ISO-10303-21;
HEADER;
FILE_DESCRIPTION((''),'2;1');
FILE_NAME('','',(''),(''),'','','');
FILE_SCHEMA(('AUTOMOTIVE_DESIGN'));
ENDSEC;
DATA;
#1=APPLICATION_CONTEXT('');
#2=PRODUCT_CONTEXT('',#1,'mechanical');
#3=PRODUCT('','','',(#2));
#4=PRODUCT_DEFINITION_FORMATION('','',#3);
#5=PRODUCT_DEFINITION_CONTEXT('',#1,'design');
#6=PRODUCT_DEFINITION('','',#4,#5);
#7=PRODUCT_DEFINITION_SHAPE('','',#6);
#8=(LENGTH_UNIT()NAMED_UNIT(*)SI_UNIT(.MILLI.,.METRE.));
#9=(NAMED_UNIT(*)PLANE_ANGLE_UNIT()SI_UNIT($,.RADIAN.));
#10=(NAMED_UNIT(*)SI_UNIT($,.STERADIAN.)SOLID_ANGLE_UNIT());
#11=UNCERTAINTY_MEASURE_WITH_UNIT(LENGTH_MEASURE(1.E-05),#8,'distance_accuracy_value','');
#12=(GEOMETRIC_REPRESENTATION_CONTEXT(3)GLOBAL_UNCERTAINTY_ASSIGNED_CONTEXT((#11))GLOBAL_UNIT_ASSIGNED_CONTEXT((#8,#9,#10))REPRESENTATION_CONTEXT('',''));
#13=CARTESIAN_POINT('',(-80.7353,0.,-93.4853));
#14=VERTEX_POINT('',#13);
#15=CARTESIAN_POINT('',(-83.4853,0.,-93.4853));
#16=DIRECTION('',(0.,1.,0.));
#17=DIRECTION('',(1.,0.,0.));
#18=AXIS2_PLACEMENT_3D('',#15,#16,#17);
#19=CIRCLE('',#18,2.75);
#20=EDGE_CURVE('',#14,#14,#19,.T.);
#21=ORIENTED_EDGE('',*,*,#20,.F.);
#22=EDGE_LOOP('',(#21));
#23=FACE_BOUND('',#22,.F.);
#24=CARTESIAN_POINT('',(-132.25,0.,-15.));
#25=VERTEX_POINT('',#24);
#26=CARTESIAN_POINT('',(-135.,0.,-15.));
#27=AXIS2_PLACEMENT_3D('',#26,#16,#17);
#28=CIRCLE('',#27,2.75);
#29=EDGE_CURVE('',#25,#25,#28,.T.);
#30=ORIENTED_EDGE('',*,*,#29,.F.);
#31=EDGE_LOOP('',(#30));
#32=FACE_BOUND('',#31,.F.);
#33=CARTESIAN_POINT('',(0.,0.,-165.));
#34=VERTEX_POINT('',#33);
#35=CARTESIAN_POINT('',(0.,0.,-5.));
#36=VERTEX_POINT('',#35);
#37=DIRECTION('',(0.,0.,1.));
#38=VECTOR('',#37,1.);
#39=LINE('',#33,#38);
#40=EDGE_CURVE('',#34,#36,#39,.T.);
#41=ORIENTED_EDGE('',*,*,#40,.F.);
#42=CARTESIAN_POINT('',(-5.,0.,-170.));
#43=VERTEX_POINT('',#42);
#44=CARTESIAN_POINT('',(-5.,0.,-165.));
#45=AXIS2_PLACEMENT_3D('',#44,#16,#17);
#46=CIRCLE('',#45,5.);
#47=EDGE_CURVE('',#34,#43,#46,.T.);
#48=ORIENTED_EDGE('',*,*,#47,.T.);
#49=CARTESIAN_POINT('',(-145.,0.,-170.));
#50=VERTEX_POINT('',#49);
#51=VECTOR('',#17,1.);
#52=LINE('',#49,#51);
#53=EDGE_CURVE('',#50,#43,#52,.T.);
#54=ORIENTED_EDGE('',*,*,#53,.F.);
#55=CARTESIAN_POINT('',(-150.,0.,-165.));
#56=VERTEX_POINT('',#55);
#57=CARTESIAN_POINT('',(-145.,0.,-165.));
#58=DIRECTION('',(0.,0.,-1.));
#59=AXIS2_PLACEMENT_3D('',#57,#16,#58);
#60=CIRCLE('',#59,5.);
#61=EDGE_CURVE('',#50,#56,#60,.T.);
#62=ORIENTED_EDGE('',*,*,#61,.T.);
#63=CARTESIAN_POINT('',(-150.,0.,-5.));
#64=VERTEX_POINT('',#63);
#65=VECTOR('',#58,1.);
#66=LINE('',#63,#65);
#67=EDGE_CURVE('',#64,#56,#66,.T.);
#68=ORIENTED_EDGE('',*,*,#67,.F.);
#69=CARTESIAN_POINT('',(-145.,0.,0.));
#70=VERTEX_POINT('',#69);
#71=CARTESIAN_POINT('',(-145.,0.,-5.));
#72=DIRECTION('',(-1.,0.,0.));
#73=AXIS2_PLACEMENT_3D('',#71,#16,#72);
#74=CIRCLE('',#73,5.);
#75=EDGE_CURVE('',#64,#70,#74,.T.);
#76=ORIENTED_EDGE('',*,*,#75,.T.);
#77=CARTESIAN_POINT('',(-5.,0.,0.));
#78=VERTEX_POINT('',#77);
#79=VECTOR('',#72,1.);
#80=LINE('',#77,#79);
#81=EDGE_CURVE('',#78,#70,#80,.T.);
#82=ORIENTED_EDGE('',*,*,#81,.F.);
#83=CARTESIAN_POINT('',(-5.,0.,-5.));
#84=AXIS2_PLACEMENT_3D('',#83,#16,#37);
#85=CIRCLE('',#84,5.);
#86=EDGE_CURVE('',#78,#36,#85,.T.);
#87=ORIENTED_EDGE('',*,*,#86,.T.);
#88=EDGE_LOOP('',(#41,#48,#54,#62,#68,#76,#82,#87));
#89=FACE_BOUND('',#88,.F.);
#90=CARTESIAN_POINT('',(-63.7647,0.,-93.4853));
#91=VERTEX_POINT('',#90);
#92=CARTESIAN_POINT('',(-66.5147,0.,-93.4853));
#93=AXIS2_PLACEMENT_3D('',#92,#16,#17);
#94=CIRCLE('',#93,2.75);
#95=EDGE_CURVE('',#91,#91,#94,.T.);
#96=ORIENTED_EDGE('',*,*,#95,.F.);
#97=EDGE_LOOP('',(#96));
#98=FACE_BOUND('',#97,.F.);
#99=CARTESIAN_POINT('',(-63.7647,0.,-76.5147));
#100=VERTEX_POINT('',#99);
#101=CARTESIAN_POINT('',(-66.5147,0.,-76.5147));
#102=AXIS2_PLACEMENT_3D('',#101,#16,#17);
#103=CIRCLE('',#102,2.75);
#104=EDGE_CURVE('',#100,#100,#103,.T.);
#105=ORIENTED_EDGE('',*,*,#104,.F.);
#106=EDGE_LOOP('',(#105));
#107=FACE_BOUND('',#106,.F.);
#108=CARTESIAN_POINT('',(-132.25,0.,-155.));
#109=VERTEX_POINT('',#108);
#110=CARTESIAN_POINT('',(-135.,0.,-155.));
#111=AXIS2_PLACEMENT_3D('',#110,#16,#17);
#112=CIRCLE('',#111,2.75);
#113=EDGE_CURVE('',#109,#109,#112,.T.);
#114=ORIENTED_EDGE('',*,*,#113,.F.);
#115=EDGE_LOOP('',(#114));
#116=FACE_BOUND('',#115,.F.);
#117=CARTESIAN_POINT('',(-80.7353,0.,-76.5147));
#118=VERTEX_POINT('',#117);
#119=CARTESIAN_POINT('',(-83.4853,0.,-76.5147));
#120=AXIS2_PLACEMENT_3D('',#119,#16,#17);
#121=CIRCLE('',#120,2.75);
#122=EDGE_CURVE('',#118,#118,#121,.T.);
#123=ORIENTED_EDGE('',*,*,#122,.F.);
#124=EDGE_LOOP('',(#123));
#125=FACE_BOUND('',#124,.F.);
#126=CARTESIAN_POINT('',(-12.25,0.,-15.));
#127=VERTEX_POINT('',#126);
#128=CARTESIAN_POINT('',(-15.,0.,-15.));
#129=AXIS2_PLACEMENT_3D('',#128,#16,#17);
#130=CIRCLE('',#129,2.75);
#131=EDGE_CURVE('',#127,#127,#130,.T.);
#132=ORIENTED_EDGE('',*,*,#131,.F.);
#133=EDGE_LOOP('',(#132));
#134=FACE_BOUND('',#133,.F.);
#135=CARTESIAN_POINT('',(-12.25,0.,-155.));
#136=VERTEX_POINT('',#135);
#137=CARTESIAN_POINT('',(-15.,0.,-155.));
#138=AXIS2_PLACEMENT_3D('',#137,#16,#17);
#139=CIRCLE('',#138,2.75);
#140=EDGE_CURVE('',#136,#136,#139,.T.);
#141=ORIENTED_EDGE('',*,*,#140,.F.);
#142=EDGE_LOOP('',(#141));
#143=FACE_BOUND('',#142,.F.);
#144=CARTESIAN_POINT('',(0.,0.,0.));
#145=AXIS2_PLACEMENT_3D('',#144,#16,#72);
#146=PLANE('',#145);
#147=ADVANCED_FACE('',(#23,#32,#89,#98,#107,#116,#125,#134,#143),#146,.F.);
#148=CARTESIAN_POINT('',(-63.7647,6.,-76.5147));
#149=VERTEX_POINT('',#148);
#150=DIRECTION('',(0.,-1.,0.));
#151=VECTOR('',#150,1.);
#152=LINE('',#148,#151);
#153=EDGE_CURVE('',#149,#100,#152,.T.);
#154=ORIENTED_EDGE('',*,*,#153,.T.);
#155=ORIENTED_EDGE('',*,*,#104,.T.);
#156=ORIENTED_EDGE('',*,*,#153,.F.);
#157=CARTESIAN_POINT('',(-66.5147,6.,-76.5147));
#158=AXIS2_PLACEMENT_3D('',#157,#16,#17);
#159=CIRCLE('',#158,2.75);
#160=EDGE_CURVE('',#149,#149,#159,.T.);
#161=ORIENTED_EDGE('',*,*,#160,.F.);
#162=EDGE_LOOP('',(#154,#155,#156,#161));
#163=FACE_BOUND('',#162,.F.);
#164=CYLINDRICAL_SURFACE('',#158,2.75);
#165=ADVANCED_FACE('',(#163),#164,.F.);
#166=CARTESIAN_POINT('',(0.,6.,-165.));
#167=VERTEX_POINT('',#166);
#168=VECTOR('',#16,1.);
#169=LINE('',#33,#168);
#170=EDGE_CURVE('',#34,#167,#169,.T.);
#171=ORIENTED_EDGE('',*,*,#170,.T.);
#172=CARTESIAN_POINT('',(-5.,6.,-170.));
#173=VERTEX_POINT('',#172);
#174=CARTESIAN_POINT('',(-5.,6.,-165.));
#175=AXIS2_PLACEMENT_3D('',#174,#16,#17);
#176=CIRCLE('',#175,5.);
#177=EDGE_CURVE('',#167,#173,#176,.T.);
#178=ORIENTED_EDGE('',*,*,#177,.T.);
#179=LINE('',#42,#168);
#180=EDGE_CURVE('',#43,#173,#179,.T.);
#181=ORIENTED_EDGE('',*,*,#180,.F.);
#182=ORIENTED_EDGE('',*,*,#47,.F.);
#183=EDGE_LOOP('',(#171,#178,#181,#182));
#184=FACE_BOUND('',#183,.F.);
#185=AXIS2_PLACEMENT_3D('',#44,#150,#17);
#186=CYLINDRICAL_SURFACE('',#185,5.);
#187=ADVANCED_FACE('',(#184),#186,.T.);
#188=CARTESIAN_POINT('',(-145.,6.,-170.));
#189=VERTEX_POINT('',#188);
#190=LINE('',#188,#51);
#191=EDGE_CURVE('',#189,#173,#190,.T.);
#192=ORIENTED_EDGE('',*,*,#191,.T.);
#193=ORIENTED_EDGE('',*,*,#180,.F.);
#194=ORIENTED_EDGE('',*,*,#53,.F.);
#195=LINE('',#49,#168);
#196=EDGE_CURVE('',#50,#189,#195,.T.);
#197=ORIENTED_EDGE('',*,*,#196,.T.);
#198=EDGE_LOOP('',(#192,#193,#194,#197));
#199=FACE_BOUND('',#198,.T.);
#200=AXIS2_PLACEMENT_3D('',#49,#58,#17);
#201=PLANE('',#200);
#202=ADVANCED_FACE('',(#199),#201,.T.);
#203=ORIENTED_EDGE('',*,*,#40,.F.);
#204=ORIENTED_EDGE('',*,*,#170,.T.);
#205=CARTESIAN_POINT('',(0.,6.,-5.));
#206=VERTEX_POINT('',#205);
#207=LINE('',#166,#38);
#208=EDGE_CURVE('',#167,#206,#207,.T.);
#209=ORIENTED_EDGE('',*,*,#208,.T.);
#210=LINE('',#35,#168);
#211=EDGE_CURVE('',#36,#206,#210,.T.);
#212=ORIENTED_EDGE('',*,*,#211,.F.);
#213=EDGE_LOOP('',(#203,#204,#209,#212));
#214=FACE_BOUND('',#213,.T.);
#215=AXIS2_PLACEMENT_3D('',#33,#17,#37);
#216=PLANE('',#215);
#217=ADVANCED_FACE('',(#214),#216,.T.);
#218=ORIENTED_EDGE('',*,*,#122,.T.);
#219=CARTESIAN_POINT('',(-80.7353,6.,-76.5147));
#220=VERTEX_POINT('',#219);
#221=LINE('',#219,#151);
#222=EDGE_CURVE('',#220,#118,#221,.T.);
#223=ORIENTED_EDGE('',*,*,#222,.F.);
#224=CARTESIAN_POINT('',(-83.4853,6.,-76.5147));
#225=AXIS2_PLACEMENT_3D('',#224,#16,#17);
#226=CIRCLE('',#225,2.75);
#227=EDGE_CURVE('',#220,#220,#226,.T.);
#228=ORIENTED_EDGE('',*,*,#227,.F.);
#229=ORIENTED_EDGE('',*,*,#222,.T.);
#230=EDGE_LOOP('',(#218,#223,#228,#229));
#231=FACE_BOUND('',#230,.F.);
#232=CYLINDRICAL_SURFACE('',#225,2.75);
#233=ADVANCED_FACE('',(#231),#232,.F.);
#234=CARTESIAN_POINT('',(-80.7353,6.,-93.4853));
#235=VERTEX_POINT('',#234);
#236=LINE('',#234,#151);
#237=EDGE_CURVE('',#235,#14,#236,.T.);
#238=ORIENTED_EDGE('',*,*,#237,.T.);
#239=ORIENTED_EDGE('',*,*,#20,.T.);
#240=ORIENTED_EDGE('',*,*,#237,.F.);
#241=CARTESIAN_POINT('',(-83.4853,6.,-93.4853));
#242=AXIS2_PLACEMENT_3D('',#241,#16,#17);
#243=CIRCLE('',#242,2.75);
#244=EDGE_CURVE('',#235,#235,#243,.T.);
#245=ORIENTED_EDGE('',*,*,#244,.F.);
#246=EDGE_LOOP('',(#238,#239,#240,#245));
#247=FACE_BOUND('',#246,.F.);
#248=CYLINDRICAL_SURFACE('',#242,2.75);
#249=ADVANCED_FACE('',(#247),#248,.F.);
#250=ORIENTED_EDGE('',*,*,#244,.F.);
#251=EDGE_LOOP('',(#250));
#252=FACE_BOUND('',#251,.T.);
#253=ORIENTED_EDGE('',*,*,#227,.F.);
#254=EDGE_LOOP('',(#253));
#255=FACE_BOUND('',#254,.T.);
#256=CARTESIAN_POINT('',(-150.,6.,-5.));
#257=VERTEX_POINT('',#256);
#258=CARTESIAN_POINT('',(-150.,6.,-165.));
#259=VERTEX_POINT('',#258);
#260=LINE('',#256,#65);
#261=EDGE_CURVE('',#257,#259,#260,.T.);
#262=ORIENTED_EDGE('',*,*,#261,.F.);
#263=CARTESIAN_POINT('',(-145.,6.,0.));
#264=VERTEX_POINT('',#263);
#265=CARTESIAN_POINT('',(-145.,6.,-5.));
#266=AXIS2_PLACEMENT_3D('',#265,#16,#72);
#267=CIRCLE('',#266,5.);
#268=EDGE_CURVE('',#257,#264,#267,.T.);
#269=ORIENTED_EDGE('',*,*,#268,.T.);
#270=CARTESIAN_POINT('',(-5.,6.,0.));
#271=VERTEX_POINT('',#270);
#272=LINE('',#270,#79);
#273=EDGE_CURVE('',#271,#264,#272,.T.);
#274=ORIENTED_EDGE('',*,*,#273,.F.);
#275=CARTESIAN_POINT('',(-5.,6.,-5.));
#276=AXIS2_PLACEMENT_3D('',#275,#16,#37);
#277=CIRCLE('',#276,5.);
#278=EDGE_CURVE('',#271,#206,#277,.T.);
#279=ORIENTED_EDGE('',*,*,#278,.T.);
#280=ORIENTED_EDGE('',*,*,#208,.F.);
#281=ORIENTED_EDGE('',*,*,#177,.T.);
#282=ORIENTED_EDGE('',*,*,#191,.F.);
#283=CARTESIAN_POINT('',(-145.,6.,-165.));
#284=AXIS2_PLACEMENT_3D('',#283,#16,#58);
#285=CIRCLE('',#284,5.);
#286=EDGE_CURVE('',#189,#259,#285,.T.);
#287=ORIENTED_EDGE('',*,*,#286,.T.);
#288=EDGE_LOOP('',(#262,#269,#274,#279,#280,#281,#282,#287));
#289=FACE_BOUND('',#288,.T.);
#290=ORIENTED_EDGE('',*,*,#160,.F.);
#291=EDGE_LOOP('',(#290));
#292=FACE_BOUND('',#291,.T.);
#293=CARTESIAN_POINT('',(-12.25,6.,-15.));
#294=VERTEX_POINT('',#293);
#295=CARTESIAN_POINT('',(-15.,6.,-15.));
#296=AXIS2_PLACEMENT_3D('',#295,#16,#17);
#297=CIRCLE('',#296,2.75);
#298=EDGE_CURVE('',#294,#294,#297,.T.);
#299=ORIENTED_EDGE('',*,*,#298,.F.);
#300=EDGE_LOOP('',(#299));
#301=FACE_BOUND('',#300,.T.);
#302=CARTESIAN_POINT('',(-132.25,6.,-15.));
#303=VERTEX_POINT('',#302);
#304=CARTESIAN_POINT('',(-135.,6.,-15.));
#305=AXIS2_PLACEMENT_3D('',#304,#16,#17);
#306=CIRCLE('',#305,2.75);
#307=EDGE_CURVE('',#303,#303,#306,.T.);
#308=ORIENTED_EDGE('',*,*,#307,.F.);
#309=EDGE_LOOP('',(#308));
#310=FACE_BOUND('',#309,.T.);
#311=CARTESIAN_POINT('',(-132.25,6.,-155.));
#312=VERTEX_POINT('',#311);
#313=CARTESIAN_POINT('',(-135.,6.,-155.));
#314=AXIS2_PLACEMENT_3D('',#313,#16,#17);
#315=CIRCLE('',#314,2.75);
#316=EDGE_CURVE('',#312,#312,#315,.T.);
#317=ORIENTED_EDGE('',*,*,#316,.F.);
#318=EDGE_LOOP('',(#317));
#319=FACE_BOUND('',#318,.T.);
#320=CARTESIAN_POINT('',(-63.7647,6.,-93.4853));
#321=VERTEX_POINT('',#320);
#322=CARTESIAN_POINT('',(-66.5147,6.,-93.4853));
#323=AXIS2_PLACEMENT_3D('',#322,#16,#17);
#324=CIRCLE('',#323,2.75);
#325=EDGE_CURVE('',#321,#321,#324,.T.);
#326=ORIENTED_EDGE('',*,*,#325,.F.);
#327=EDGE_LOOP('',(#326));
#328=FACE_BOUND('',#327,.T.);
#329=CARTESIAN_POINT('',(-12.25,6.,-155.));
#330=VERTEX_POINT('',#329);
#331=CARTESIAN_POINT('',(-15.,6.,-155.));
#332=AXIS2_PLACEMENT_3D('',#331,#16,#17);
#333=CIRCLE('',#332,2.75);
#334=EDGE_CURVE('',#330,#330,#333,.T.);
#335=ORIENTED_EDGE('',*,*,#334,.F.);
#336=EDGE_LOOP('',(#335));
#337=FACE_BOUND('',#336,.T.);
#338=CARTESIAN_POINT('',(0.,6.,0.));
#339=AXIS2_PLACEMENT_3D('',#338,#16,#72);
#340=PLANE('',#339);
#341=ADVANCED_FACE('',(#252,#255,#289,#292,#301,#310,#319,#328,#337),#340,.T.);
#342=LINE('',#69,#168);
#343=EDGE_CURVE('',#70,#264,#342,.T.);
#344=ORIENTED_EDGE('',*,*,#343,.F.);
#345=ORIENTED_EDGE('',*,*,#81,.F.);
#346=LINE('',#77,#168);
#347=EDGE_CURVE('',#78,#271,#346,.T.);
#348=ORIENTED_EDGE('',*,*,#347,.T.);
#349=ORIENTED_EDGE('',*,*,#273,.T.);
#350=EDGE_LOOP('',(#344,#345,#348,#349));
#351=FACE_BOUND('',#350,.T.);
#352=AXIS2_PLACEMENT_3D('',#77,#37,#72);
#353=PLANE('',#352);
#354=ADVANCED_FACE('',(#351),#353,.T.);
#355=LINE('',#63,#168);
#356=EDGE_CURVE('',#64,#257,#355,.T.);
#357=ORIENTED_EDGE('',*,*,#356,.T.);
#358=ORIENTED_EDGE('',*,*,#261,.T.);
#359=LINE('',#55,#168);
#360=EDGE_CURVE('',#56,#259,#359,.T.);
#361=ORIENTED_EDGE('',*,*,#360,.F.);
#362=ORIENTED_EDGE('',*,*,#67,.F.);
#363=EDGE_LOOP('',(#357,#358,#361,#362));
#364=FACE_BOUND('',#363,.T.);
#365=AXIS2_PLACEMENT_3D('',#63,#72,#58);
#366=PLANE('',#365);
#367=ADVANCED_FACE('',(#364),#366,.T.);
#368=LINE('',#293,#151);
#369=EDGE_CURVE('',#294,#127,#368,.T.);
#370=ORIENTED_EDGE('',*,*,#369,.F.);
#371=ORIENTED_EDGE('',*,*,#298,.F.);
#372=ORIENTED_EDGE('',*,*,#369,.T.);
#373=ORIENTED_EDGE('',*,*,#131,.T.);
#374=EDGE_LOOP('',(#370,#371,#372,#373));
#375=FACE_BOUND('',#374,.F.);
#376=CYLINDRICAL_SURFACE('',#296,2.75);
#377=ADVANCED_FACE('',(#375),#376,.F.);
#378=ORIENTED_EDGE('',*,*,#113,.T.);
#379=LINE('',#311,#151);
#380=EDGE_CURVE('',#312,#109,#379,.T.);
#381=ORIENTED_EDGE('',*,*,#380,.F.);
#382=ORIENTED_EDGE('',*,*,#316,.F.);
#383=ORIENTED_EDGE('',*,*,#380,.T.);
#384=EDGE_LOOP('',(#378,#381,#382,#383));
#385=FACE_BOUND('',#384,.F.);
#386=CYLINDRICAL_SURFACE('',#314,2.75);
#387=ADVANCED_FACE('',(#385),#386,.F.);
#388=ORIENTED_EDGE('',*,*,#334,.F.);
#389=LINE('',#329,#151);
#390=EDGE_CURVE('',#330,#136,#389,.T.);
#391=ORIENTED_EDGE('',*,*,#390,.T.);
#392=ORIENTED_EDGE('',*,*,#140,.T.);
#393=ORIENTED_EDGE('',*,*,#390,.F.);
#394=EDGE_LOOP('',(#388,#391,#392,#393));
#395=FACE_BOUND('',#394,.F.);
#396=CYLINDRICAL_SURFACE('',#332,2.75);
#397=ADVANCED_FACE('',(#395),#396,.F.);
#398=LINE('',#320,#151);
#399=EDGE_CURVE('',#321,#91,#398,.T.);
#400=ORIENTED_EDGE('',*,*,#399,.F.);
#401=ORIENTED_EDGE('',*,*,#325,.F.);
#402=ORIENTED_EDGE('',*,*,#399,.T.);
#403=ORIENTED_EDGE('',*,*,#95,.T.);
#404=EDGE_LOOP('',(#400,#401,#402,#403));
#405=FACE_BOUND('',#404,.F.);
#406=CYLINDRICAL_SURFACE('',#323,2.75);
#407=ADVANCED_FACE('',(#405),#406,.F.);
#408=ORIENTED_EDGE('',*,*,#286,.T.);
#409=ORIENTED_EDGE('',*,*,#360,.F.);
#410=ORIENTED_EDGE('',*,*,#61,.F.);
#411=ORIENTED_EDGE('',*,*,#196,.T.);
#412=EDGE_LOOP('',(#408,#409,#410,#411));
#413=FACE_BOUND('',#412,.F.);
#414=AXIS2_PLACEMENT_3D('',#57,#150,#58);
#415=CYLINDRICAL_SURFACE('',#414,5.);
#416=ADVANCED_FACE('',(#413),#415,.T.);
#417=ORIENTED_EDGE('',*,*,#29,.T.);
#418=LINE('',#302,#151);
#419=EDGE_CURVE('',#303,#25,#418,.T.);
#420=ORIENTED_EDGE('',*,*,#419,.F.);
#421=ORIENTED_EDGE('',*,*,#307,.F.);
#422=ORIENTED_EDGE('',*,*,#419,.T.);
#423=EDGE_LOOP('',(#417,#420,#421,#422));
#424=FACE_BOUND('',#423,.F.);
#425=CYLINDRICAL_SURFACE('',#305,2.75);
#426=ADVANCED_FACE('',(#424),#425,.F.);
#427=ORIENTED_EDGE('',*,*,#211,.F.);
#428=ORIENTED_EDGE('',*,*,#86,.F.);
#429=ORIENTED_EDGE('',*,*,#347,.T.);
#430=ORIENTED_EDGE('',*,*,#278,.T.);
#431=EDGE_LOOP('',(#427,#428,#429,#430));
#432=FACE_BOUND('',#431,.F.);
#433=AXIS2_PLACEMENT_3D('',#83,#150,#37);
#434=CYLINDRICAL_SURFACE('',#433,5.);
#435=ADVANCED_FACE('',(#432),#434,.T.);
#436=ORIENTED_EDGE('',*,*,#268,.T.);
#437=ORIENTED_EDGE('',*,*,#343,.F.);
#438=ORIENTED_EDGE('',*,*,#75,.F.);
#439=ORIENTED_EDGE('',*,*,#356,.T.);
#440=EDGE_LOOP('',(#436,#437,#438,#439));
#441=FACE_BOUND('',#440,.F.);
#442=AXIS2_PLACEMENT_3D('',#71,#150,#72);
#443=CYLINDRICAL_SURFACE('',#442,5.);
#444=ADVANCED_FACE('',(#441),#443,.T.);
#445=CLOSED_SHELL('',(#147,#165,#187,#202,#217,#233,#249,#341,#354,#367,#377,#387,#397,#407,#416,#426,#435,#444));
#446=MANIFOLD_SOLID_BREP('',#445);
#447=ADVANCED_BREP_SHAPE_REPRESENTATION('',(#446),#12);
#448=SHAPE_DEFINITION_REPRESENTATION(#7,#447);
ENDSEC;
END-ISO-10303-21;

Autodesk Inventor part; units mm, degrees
ref_plane "YZ Plane" through (0, 0, 0) normal (1, 0, 0) x (0, 1, 0)
ref_plane "XZ Plane" through (0, 0, 0) normal (0, 1, 0) x (-1, 0, 0)
ref_plane "XY Plane" through (0, 0, 0) normal (0, 0, 1) x (1, 0, 0)
sketch "Sketch1" plane through (0, 0, 0) normal (0, 1, 0) x (-1, 0, 0)
  line L0 (5, 0) -> (145, 0)
  line L1 (150, -5) -> (150, -165)
  line L2 (145, -170) -> (5, -170)
  line L3 (0, -165) -> (0, -5)
  arc A0 (150, -5) -> (145, 0) centre (145, -5) ccw
  arc A1 (145, -170) -> (150, -165) centre (145, -165) ccw
  arc A2 (5, 0) -> (0, -5) centre (5, -5) ccw
  arc A3 (0, -165) -> (5, -170) centre (5, -165) ccw
  circle A4 centre (135, -155) radius 2.75
  circle A5 centre (15, -155) radius 2.75
  circle A6 centre (15, -15) radius 2.75
  circle A7 centre (135, -15) radius 2.75
  line L4 (75, -85) -> (87, -85) construction
  circle A8 centre (66.4666, -93.5334) radius 2.75
  circle A9 centre (83.0375, -93.9106) radius 2.75
  circle A10 centre (83.4853, -76.5147) radius 2.75
  circle A11 centre (66.9625, -76.0894) radius 2.75
  point P0 (0, 0)
  point P1 (150, -170)
  point P2 (150, 0)
  point P3 (0, -170)
  dimension "d0" = 150
  dimension "d1" = 170
  dimension "d2" = 5
  dimension "d7" = 5.5
  dimension "d11" = 5.5
  dimension "d12" = 5.5
  dimension "d13" = 5.5
  dimension "d19" = 5.5
  dimension "d20" = 5.5
  dimension "d21" = 5.5
  dimension "d22" = 5.5
extrude "Extrusion1" add sketch "Sketch1" along normal blind 6 contours L0 A0 L1 A1 L2 A3 L3 A2 | A4 | A5 | A6 | A7 | A8 | A9 | A10 | A11
sketch "Sketch2" plane through (0, 6, 0) normal (0, 1, 0) x (1, 0, 0)
  line L0 (-150, 165) -> (-150, 5) projected
  line L1 (0, 5) -> (0, 165) projected
  line L2 (0, 15) -> (15, 15) construction
  line L3 (-5, 170) -> (-145, 170) projected
  line L4 (-15, 170) -> (0, 170) construction
  circle A0 centre (-135, 155) radius 2.75
  circle A1 centre (-15, 155) radius 2.75
  circle A2 centre (-15, 15) radius 2.75
  circle A3 centre (-135, 15) radius 2.75
  line L5 (-75, 85) -> (-63, 85) construction
  circle A4 centre (-66.5147, 93.4853) radius 2.75
  circle A5 centre (-83.4853, 93.4853) radius 2.75
  circle A6 centre (-83.4853, 76.5147) radius 2.75
  circle A7 centre (-66.5147, 76.5147) radius 2.75
  point P0 (0, 0)
  dimension "d30" = 5.5
  dimension "d31" = 5.5
  dimension "d32" = 5.5
  dimension "d33" = 5.5
  dimension "d40" = 5.5
  dimension "d41" = 5.5
  dimension "d42" = 5.5
  dimension "d43" = 5.5
extrude "Extrusion2" cut sketch "Sketch2" against normal blind 6
properties part number "B_base 1"
